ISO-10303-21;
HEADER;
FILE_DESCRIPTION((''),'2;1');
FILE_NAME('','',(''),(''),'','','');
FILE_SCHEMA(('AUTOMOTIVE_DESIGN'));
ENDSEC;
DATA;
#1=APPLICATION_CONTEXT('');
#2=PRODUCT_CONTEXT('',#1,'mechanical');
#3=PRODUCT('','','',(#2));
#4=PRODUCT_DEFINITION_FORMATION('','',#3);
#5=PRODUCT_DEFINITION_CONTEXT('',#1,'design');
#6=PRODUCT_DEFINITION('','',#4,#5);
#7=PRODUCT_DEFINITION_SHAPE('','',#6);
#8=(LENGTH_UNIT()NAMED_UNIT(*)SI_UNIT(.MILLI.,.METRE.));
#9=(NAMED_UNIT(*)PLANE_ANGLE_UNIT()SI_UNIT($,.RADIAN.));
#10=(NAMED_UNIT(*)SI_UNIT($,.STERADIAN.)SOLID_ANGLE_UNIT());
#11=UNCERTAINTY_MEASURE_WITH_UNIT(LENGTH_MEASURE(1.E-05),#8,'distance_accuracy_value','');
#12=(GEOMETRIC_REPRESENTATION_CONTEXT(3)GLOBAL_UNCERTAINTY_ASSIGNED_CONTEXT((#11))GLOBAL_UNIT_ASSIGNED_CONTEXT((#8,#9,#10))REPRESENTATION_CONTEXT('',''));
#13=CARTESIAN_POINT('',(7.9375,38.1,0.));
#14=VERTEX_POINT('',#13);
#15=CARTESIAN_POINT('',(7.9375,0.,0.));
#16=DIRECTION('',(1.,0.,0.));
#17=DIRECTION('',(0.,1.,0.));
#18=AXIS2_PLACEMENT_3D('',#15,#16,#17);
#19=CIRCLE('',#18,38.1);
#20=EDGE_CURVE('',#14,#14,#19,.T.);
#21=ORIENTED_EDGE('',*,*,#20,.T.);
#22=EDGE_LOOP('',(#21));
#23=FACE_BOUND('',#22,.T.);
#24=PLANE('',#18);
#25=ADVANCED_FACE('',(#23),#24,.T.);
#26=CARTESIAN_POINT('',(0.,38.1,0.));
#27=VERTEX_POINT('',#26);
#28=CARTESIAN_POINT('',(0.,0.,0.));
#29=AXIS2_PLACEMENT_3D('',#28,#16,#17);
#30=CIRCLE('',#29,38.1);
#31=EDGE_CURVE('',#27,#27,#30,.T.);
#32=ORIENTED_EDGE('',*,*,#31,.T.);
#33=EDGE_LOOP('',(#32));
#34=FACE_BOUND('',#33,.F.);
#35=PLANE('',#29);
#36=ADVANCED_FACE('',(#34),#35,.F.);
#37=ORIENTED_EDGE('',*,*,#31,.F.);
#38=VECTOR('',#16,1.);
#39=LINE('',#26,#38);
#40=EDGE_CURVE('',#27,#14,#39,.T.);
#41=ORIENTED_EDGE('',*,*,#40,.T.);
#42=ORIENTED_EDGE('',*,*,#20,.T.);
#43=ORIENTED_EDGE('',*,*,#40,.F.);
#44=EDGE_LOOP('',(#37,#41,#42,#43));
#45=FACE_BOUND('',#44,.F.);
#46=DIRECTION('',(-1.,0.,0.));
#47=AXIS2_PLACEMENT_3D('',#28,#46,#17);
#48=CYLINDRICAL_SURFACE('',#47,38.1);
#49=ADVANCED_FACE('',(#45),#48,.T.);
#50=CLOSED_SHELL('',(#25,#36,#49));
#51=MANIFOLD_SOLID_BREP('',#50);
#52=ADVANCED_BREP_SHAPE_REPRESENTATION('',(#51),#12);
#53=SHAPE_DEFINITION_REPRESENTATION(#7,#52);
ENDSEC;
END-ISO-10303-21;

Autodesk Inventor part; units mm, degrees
ref_plane "YZ Plane" through (0, 0, 0) normal (1, 0, 0) x (0, 1, 0)
ref_plane "XZ Plane" through (0, 0, 0) normal (0, 1, 0) x (-1, 0, 0)
ref_plane "XY Plane" through (0, 0, 0) normal (0, 0, 1) x (1, 0, 0)
sketch "Sketch1" plane through (0, 0, 0) normal (1, 0, 0) x (0, 1, 0)
  circle A0 centre (0, 0) radius 38.1
  dimension "d0" = 76.2
extrude "Extrusion1" add sketch "Sketch1" along normal blind 7.9375
properties part number "SampleMagnet"
